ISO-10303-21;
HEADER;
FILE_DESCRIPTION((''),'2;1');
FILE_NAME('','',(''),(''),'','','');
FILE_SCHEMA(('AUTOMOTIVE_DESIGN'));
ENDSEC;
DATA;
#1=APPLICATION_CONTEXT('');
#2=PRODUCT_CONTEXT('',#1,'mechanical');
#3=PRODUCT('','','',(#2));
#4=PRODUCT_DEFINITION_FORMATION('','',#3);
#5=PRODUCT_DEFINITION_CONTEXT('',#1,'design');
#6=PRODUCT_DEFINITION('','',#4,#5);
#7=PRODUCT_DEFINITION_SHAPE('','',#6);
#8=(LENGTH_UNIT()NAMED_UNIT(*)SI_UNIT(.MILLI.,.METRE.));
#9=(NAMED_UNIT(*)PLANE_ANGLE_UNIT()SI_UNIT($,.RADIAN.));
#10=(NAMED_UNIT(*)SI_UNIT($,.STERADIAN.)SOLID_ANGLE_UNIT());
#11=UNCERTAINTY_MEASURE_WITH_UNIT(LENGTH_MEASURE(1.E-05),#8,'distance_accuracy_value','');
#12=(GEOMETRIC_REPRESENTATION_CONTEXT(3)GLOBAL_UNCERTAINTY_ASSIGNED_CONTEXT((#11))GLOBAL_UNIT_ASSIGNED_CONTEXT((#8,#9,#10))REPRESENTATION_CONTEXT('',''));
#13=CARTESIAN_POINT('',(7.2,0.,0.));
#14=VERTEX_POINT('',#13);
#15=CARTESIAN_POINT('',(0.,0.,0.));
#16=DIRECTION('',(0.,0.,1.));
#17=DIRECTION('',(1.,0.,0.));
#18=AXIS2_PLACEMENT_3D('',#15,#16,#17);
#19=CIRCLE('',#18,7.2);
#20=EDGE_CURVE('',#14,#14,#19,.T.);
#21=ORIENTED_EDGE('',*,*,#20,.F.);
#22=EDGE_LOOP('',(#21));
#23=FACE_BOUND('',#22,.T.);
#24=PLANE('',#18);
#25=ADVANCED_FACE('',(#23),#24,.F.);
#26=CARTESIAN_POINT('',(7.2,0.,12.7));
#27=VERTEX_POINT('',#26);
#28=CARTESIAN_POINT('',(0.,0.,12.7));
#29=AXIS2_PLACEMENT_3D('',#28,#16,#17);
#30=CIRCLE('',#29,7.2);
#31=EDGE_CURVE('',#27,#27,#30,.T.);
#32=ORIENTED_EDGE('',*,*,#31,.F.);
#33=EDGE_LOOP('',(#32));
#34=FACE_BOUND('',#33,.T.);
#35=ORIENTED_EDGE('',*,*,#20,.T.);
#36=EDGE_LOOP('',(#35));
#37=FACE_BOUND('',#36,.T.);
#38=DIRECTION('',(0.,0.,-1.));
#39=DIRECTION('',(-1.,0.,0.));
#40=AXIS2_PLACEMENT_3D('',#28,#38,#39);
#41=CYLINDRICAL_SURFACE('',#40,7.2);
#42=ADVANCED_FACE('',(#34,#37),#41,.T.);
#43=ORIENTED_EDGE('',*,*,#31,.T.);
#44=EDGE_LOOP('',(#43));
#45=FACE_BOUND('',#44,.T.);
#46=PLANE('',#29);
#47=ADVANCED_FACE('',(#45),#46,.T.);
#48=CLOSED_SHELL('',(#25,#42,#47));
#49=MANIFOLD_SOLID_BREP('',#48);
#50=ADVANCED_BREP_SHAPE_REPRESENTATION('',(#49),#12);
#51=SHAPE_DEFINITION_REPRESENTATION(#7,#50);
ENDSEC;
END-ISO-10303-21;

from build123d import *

# Parameters (mm, degrees)
SKETCH1_R           = 7.2
BOSS_EXTRUDE1_DEPTH = 12.7


with BuildPart() as part:
    # Sketch1 → Boss-Extrude1 (new body)
    with BuildSketch(Plane.XY):
        Circle(SKETCH1_R)
    extrude(amount=BOSS_EXTRUDE1_DEPTH)


solid = part.part
